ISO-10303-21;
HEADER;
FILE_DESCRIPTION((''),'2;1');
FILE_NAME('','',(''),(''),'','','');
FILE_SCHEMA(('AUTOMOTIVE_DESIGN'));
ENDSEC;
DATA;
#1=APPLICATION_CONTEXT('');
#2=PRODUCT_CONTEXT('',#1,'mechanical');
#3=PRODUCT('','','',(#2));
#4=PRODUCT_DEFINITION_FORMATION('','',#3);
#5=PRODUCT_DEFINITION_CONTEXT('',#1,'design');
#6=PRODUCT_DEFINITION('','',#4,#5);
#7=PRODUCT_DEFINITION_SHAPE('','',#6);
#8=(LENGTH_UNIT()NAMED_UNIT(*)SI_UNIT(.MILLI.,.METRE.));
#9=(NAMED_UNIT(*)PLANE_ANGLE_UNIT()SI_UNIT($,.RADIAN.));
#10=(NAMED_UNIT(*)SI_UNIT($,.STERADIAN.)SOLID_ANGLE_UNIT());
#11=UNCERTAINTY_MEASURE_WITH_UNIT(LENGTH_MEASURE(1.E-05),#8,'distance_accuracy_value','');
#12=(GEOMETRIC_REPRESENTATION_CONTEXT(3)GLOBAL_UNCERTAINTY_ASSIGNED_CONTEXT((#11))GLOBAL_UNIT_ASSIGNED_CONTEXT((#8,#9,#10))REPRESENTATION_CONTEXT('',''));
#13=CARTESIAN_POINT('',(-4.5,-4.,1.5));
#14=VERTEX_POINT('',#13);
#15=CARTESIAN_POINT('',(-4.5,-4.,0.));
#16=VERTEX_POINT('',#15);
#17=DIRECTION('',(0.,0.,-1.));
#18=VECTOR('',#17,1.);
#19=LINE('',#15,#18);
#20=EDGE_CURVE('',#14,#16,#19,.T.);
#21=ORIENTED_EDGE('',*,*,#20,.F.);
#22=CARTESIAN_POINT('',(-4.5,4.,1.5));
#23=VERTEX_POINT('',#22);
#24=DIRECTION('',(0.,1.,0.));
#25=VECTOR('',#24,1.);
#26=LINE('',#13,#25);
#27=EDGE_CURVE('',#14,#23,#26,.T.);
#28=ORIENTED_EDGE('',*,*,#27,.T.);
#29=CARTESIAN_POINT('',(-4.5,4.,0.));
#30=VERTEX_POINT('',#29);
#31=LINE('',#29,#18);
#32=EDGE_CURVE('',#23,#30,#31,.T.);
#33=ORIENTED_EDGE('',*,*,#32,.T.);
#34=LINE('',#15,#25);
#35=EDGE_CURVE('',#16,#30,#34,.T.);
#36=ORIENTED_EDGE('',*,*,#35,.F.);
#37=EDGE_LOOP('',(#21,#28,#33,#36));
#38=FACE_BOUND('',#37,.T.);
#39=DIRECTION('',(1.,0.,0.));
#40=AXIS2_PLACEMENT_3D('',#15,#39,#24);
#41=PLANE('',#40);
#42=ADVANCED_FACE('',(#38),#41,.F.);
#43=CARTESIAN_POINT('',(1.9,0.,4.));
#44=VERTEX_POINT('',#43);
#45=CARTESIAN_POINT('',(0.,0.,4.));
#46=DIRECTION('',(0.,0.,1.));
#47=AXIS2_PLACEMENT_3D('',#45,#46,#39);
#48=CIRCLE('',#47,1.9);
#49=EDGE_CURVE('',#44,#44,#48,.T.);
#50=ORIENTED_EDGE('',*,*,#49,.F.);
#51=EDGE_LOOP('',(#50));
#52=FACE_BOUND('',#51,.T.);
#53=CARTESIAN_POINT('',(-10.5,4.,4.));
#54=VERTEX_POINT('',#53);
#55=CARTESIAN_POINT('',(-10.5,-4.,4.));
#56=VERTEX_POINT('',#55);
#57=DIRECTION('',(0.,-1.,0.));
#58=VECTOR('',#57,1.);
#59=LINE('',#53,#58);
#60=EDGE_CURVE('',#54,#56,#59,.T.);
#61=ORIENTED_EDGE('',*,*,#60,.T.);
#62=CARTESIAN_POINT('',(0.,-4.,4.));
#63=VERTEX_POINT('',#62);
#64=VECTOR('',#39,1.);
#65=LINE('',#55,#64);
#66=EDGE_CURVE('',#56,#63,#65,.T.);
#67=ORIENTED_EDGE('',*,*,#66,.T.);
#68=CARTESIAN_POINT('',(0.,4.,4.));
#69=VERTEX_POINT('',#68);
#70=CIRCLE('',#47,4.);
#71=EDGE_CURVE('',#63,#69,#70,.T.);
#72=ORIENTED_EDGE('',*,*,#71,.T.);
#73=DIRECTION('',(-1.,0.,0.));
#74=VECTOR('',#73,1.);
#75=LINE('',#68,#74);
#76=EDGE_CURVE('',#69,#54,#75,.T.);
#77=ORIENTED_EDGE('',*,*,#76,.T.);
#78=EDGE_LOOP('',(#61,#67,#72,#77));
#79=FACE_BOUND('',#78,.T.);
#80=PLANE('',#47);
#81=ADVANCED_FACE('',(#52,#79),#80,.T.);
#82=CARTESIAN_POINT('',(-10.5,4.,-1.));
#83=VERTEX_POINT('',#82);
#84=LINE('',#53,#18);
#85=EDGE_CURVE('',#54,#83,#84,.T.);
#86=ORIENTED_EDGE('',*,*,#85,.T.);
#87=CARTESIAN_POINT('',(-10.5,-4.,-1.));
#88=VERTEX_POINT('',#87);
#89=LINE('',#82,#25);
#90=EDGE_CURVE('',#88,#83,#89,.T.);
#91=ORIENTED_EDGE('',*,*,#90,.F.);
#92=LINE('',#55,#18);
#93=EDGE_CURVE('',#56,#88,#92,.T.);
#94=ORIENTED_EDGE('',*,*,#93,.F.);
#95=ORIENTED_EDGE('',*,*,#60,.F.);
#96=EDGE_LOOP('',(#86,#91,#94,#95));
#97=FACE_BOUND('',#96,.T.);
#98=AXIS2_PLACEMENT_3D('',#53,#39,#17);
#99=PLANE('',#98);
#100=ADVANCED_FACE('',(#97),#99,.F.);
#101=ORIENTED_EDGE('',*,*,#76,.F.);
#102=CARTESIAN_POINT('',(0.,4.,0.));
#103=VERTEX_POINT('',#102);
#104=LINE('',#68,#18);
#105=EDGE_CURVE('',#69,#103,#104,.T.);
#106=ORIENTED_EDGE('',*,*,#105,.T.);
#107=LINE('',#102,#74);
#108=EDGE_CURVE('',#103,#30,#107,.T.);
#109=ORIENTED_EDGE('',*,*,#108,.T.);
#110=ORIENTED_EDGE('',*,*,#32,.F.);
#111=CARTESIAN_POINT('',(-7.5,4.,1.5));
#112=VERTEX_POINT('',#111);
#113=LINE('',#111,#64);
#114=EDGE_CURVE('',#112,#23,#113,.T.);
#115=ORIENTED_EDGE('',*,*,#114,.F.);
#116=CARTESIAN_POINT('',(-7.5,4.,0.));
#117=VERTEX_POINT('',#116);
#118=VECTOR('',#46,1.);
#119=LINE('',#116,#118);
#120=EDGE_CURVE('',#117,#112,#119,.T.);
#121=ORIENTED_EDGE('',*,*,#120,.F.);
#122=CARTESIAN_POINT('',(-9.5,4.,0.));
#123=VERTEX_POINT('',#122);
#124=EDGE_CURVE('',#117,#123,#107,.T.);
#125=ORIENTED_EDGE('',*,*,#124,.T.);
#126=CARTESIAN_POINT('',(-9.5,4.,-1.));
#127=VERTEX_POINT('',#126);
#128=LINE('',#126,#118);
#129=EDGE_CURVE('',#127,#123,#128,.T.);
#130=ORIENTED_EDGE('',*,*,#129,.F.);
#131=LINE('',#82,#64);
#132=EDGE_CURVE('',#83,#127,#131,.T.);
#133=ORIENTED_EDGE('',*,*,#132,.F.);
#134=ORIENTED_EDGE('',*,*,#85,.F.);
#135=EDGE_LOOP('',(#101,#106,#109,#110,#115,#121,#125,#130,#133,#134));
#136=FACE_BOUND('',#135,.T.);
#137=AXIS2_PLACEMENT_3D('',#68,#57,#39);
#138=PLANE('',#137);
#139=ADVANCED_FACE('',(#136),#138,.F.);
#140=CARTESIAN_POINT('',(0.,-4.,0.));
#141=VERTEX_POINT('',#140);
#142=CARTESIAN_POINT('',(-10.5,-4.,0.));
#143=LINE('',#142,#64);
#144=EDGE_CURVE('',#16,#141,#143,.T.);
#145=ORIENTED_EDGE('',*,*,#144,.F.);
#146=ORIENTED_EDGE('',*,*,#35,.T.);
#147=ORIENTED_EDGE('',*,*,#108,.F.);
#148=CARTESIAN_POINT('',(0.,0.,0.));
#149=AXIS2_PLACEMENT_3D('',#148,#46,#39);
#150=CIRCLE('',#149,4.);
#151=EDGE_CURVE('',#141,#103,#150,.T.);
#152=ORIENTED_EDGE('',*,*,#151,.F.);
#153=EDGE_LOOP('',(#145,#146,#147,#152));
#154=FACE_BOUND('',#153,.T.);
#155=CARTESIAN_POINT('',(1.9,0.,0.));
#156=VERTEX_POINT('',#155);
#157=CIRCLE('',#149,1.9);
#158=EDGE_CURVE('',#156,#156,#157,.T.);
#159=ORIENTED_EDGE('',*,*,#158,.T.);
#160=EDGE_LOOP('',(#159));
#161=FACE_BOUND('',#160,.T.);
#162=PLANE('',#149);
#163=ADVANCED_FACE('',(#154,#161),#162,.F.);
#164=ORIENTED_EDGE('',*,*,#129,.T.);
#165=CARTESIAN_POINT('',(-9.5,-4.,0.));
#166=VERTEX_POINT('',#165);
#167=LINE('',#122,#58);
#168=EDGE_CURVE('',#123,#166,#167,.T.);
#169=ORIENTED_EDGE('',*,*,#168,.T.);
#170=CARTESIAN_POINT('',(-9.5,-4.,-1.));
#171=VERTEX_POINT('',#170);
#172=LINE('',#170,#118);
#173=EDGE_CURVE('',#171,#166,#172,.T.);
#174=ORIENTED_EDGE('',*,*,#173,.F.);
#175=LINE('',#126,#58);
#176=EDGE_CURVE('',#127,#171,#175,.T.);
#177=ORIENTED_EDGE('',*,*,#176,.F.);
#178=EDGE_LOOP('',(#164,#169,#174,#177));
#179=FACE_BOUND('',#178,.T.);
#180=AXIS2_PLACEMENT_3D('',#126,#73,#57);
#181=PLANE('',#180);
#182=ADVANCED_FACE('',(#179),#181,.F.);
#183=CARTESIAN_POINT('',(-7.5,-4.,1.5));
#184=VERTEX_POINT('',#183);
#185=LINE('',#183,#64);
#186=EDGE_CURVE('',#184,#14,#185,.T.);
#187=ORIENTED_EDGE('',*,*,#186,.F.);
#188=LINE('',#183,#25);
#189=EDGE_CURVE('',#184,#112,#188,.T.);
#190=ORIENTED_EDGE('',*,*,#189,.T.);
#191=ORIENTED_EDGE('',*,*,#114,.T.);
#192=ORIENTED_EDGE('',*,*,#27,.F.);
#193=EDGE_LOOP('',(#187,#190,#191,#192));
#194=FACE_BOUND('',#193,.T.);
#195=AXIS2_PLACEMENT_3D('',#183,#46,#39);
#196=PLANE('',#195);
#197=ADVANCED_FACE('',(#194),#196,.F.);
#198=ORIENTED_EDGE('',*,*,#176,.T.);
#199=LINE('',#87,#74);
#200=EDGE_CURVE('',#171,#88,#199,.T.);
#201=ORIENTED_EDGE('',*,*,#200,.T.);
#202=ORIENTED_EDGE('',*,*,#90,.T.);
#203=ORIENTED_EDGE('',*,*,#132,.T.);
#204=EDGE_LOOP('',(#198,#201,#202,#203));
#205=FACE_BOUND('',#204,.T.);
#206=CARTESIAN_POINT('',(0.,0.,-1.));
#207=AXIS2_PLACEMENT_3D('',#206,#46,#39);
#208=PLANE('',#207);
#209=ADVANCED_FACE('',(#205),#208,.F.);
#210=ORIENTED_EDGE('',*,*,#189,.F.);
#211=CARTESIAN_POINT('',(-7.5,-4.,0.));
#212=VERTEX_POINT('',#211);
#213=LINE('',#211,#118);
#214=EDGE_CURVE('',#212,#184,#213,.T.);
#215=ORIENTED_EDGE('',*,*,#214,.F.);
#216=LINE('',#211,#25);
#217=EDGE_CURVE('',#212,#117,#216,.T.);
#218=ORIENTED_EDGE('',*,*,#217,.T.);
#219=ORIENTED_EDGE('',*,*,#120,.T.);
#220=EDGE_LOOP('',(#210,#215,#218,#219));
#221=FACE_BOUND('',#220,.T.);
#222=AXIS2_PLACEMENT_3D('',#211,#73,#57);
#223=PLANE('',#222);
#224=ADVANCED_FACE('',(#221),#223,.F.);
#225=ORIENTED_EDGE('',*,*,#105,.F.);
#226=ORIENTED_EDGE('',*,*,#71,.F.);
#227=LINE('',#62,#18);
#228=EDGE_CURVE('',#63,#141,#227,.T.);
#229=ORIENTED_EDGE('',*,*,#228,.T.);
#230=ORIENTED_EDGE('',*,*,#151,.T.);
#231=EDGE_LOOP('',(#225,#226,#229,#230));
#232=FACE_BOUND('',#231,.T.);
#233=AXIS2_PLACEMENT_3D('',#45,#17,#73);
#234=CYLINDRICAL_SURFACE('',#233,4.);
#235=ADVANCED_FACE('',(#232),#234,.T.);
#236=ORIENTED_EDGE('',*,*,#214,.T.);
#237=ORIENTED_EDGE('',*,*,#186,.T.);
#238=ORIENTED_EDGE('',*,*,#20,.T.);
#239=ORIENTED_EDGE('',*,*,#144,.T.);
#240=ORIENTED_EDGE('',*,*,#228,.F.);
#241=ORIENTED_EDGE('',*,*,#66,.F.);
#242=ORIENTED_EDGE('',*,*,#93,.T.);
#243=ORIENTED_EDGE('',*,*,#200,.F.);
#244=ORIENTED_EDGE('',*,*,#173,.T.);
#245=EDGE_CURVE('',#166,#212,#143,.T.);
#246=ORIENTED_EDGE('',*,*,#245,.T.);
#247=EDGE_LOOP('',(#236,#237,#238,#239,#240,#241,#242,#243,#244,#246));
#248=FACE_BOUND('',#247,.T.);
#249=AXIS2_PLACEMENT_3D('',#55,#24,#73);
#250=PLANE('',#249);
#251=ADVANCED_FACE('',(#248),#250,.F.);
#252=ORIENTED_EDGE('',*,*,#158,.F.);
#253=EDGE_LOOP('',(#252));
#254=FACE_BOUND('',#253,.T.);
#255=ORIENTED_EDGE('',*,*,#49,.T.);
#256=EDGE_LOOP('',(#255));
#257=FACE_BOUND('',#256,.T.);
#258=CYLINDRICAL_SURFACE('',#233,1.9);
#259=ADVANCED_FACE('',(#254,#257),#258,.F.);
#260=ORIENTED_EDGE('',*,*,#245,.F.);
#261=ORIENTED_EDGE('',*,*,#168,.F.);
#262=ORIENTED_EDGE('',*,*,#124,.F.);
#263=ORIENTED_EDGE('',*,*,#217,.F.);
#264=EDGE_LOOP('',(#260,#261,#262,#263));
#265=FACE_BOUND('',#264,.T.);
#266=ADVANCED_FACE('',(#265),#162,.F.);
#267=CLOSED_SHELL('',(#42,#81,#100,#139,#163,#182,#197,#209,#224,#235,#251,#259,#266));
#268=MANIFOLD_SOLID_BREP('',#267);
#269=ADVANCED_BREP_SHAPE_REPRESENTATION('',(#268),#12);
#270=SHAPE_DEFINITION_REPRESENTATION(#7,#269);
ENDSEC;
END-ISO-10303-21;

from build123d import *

# Parameters (mm, degrees)
SKETCH_1_R          = 1.9
EXTRUDE_1_DEPTH     = 4
SKETCH_2_W          = 3
SKETCH_2_H          = 1.5
CUT_EXTRUDE_1_DEPTH = 14.793114224
SKETCH_3_W          = 1
SKETCH_3_H          = 8
EXTRUDE_2_DEPTH     = 1


with BuildPart() as part:
    # 草图1 → 凸台-拉伸1 (new body)
    with BuildSketch(Plane.XY):
        with BuildLine():
            Line((0, 4), (-10.5, 4))
            Line((-10.5, 4), (-10.5, -4))
            Line((-10.5, -4), (0, -4))
            ThreePointArc((0, -4), (4, 0), (0, 4))
        make_face()
        Circle(SKETCH_1_R, mode=Mode.SUBTRACT)
    extrude(amount=EXTRUDE_1_DEPTH)

    # 草图2 → 切除-拉伸1 (cut, through all)
    with BuildSketch(Plane(origin=(0, 4, 0), x_dir=(1, 0, 0), z_dir=(0, 1, 0))):
        with Locations((-6, -0.75)):
            Rectangle(SKETCH_2_W, SKETCH_2_H)
    extrude(amount=-CUT_EXTRUDE_1_DEPTH, mode=Mode.SUBTRACT)

    # 草图3 → 凸台-拉伸2 (add)
    with BuildSketch(Plane(origin=(0, 0, 0), x_dir=(-1, 0, 0), z_dir=(0, 0, -1))):
        with Locations((10, 0)):
            Rectangle(SKETCH_3_W, SKETCH_3_H)
    extrude(amount=EXTRUDE_2_DEPTH)


solid = part.part
